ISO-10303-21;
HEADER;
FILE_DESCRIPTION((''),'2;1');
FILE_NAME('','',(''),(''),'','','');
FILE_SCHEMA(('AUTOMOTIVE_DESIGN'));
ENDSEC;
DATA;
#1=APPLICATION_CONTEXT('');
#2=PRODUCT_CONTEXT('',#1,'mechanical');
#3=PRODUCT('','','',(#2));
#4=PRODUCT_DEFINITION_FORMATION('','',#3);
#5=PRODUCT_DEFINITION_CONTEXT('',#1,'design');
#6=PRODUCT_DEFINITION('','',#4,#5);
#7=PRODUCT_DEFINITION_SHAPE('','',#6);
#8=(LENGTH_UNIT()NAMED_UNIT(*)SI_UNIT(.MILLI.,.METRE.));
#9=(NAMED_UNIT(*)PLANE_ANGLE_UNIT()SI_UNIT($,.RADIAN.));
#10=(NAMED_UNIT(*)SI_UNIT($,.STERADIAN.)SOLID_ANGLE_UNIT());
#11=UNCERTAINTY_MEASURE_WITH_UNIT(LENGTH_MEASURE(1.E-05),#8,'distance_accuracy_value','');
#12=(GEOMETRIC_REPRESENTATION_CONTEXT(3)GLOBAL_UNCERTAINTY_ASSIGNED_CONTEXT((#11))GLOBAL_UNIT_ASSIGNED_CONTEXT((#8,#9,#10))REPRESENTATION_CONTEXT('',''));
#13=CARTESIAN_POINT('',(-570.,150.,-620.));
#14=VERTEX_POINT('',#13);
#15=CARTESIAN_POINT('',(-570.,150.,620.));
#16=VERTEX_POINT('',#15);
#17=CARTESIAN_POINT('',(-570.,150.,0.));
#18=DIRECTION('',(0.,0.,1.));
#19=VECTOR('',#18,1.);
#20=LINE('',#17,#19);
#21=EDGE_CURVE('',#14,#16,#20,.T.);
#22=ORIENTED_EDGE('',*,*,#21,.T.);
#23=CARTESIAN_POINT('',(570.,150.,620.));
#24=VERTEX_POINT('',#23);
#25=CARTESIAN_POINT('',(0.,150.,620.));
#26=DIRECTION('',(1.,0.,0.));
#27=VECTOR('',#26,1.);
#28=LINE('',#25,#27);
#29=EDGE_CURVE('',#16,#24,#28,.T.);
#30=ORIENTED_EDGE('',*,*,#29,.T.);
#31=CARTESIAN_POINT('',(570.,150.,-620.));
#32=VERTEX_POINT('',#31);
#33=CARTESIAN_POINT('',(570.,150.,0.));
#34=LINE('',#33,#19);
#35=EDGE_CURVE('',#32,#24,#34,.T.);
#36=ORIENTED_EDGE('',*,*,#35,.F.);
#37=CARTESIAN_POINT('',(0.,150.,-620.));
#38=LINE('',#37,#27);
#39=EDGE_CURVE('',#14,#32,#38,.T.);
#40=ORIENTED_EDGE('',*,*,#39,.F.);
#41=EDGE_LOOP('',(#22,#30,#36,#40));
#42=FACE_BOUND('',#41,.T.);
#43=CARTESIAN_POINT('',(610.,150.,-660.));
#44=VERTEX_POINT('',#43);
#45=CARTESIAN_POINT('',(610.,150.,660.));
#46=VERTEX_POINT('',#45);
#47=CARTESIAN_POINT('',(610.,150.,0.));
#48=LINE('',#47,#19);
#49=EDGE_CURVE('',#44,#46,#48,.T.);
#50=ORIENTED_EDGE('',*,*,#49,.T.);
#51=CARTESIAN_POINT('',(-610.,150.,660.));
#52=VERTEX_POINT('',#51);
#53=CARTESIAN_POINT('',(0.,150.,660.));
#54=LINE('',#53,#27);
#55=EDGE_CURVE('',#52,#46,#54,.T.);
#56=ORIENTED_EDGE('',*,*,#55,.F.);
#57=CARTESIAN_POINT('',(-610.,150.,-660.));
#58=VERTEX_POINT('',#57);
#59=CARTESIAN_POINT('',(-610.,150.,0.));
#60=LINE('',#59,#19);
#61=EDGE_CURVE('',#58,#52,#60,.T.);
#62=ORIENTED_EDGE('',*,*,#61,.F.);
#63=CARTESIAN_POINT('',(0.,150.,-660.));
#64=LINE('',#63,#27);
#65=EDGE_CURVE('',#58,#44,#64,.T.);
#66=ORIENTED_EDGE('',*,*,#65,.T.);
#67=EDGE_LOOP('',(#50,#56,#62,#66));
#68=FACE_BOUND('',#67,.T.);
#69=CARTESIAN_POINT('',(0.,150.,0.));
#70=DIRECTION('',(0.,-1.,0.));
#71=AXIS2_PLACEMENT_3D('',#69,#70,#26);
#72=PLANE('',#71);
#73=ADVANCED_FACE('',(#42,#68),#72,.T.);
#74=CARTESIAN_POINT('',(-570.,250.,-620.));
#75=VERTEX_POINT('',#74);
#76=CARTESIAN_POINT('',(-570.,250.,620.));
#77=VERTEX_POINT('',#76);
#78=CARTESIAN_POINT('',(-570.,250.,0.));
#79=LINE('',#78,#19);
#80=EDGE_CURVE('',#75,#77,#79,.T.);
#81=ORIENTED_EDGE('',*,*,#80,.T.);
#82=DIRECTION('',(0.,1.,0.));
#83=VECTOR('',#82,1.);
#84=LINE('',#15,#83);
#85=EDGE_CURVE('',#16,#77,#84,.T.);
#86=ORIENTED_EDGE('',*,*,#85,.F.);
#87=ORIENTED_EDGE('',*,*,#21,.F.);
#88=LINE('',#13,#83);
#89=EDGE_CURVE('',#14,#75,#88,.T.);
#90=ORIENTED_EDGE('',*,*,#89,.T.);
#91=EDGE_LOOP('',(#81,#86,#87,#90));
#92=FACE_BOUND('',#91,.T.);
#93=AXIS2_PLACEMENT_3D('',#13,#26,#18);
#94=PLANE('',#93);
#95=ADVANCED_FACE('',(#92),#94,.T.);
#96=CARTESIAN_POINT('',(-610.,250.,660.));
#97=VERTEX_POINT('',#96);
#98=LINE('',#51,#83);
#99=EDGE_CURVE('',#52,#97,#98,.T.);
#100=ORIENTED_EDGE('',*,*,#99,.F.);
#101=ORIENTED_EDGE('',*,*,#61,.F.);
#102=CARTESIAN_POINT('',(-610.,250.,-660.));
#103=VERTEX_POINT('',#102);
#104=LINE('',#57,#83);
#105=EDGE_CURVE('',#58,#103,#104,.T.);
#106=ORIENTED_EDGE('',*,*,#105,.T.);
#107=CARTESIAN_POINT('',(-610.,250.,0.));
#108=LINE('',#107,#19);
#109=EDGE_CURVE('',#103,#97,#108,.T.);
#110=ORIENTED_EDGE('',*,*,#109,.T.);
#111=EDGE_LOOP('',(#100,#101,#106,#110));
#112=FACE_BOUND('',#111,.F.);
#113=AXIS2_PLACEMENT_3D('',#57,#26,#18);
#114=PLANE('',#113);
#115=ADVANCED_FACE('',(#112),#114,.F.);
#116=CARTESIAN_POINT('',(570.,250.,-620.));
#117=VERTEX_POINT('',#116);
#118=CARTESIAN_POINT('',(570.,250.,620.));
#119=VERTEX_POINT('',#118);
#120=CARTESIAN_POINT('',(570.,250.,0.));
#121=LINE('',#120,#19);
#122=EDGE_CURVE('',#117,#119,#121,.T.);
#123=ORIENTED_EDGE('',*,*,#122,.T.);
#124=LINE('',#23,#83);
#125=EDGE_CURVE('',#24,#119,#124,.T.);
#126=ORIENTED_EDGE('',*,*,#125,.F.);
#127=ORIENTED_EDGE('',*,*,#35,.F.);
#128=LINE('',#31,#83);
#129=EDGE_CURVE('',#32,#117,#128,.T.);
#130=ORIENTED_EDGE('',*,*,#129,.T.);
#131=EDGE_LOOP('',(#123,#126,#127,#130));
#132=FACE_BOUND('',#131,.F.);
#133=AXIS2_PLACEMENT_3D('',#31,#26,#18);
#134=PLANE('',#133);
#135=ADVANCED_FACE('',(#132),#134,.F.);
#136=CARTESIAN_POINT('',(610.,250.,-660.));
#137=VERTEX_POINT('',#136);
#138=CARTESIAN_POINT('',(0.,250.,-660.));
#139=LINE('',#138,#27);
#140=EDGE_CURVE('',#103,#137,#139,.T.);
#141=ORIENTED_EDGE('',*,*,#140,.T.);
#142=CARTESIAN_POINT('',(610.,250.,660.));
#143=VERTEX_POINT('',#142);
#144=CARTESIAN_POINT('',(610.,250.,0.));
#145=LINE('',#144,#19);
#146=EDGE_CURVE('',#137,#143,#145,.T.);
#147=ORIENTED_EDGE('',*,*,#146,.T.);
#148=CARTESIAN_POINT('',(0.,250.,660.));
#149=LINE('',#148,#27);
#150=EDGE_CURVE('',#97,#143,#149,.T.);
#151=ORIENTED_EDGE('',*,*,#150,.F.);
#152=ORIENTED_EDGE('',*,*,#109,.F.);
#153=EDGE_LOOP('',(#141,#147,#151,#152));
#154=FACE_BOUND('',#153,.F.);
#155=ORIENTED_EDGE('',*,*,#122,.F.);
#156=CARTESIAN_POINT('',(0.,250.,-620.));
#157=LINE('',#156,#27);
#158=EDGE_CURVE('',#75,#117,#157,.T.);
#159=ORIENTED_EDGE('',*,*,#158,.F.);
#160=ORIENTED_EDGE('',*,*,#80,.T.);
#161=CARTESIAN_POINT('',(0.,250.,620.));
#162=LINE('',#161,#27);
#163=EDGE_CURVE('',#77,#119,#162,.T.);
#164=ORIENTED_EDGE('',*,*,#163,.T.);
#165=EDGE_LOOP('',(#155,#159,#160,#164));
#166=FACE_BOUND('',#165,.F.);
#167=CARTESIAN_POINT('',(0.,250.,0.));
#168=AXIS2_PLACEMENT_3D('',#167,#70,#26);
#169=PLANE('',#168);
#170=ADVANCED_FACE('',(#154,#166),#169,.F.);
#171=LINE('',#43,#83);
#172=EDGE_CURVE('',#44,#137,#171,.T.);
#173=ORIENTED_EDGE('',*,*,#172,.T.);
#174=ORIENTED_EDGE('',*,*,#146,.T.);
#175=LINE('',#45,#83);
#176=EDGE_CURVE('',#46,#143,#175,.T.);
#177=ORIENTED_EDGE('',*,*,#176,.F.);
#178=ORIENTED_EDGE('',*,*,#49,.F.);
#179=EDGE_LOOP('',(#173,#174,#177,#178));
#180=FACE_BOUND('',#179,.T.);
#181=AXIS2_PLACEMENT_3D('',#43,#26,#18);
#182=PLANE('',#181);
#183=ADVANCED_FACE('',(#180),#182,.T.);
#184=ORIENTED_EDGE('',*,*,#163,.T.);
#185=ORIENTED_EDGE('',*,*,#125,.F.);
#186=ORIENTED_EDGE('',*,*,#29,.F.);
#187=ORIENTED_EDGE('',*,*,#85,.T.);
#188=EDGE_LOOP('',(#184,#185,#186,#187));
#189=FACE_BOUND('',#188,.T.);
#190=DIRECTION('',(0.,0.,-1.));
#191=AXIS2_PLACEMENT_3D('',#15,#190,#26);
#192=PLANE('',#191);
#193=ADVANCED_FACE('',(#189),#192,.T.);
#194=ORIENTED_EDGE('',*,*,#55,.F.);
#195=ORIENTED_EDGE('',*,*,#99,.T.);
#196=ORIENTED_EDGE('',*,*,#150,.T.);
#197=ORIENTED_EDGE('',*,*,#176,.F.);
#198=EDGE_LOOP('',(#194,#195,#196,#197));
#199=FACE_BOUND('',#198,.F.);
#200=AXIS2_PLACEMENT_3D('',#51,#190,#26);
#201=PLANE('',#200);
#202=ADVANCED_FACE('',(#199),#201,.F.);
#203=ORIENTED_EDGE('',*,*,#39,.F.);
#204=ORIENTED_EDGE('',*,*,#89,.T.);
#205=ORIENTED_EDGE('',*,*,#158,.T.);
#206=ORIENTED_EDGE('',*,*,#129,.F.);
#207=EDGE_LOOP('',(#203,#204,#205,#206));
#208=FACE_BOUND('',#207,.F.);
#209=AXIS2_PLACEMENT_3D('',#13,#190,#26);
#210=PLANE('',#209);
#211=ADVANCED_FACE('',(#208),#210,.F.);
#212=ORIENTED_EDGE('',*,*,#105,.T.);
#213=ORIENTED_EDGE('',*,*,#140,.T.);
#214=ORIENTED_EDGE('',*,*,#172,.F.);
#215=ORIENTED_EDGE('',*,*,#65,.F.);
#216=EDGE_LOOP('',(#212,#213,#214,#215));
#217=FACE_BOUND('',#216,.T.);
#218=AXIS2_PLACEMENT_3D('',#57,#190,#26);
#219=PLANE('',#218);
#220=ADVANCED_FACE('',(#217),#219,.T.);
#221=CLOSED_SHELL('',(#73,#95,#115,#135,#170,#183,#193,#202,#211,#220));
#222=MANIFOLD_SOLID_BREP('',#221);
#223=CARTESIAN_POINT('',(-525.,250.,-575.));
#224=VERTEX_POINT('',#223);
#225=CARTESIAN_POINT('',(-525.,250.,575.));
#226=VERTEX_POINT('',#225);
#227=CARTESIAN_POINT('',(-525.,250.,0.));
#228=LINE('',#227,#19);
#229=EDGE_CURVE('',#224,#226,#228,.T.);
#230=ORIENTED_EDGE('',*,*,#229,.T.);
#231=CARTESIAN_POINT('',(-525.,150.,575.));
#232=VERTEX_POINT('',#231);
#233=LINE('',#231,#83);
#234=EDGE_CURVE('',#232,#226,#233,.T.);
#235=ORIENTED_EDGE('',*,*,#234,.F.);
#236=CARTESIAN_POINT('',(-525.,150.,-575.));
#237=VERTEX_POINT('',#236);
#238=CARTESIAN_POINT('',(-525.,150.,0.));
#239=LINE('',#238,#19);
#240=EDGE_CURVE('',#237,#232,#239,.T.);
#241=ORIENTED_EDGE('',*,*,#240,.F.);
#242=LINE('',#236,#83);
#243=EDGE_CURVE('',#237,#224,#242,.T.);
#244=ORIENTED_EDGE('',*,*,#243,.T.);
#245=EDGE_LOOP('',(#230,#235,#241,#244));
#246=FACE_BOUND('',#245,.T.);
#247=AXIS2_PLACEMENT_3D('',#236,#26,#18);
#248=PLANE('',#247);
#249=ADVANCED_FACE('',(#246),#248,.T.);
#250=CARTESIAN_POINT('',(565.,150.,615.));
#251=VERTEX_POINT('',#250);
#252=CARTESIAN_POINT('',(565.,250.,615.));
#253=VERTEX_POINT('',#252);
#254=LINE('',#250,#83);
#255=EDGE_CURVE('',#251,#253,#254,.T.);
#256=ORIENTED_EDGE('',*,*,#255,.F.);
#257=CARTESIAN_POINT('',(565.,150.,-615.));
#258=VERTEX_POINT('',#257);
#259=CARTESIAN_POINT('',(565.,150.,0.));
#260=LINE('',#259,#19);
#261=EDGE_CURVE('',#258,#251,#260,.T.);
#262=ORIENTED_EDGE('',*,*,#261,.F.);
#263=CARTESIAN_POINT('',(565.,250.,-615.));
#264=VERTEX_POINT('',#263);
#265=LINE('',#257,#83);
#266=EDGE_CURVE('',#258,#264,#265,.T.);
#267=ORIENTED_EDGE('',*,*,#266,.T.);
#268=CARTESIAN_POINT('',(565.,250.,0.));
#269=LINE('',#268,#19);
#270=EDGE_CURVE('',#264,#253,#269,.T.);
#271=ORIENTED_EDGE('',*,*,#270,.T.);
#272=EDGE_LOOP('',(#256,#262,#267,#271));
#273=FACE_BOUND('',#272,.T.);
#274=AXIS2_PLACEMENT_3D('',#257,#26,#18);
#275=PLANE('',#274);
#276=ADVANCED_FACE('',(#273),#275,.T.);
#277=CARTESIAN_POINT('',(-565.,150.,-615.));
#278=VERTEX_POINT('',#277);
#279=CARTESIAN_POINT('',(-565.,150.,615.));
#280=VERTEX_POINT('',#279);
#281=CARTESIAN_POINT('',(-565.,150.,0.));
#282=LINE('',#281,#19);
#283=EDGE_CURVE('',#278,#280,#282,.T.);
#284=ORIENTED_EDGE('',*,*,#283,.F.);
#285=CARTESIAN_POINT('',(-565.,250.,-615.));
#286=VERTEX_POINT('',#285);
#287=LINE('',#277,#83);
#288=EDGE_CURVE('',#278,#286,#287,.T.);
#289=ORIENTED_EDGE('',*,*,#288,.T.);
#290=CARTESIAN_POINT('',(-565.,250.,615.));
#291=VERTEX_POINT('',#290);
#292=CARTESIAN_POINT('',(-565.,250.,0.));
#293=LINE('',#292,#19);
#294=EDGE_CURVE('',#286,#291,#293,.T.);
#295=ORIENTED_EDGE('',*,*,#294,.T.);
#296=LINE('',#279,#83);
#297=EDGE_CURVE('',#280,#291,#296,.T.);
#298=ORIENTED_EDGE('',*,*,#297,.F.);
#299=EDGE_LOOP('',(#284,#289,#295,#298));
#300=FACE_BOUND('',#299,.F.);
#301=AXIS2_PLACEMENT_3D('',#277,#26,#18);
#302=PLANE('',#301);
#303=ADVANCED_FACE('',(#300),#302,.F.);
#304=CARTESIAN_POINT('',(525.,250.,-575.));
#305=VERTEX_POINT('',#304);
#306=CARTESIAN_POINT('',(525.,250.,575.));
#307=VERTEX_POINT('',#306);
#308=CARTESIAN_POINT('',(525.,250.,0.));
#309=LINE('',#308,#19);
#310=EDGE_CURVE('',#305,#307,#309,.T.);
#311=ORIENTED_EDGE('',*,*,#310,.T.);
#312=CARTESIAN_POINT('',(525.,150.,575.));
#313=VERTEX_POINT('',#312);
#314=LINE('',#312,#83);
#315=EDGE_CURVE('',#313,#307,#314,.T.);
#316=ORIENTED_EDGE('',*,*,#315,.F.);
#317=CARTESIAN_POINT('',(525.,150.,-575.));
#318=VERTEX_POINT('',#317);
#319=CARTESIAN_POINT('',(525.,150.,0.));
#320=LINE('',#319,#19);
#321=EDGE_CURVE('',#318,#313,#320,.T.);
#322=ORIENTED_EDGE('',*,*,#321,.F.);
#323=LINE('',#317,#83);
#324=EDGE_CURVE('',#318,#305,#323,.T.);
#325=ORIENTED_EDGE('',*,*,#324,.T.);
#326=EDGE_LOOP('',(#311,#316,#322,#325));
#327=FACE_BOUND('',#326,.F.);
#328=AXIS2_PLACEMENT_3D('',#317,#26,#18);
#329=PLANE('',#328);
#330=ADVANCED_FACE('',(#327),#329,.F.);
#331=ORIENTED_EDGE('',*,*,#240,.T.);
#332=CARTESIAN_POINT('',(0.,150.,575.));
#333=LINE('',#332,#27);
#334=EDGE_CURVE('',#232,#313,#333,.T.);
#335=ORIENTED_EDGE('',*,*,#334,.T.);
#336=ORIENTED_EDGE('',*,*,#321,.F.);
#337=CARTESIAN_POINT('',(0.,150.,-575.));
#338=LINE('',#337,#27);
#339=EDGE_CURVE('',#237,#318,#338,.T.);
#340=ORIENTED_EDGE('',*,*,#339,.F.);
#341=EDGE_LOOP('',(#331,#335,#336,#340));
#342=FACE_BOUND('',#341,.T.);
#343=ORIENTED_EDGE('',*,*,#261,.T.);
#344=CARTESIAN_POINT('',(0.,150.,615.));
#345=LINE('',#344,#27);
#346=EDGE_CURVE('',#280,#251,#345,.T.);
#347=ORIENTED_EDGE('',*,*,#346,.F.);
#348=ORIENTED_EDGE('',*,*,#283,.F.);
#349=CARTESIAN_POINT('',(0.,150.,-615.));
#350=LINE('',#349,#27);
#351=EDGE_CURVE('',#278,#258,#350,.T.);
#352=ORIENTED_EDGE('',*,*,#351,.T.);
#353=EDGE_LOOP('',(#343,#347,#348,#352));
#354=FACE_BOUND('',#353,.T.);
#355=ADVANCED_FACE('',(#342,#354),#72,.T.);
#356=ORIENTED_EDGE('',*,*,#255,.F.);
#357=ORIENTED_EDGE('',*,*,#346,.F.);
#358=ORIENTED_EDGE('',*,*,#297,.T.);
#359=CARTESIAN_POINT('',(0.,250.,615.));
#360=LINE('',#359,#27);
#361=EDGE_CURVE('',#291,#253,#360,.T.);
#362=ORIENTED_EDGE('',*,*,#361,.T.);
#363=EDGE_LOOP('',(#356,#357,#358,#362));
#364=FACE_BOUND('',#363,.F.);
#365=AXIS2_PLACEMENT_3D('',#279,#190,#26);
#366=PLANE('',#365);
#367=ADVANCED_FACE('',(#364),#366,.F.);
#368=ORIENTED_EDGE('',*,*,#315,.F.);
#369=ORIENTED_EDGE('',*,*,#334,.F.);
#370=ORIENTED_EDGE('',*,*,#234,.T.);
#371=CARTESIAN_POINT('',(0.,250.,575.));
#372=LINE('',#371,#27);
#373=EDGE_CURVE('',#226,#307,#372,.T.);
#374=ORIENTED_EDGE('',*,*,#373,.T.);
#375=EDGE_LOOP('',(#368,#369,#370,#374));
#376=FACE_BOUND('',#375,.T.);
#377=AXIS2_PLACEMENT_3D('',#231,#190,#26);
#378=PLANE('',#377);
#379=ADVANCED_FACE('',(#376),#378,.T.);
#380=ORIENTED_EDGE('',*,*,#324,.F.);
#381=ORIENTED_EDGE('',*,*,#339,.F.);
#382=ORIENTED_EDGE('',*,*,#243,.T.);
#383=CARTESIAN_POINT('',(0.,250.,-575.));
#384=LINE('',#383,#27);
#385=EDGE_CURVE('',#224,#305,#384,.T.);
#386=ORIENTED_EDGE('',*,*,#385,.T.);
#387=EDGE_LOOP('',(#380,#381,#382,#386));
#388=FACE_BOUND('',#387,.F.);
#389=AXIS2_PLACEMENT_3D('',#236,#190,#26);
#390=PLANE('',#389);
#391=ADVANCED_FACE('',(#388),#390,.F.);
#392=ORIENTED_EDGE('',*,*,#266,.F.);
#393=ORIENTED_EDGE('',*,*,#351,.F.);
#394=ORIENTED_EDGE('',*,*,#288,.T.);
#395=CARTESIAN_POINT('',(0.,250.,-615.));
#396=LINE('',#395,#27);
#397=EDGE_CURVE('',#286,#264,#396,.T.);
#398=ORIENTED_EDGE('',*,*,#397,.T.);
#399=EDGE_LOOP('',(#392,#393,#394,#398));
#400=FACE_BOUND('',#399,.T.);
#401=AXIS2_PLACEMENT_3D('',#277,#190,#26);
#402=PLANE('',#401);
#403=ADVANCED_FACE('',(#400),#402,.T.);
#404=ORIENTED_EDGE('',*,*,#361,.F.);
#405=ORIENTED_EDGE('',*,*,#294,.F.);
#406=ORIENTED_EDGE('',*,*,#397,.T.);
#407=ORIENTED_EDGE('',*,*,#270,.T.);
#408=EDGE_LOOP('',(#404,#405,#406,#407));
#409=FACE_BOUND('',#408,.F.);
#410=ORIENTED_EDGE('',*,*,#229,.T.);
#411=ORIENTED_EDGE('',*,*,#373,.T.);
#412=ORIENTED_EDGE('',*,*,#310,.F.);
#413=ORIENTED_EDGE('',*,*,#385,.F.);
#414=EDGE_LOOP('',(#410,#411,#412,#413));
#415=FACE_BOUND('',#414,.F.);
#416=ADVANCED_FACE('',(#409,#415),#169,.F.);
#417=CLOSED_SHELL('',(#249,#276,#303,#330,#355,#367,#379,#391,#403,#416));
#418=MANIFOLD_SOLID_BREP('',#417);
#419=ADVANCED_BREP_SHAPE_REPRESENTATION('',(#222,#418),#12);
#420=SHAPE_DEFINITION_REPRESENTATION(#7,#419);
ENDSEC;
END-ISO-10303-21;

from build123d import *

# Parameters (mm, degrees)
F1_W     = 1130
F1_H     = 1230
F1_W_2   = 1050
F1_H_2   = 1150
F2_DEPTH = 100
F1_W_3   = 1220
F1_H_3   = 1320
F1_W_4   = 1140
F1_H_4   = 1240


with BuildPart() as f2:
    # F1 (on offset) → F2 (new body)
    with BuildSketch(Plane.XZ.offset(-150)):
        Rectangle(F1_W, F1_H)
        Rectangle(F1_W_2, F1_H_2, mode=Mode.SUBTRACT)
    extrude(amount=-F2_DEPTH)


with BuildPart() as f2b:
    # F1 (on offset) → F2, piece 2 (new body)
    with BuildSketch(Plane.XZ.offset(-150)):
        Rectangle(F1_W_3, F1_H_3)
        Rectangle(F1_W_4, F1_H_4, mode=Mode.SUBTRACT)
    extrude(amount=-F2_DEPTH)


solid = Compound([f2.part, f2b.part])
